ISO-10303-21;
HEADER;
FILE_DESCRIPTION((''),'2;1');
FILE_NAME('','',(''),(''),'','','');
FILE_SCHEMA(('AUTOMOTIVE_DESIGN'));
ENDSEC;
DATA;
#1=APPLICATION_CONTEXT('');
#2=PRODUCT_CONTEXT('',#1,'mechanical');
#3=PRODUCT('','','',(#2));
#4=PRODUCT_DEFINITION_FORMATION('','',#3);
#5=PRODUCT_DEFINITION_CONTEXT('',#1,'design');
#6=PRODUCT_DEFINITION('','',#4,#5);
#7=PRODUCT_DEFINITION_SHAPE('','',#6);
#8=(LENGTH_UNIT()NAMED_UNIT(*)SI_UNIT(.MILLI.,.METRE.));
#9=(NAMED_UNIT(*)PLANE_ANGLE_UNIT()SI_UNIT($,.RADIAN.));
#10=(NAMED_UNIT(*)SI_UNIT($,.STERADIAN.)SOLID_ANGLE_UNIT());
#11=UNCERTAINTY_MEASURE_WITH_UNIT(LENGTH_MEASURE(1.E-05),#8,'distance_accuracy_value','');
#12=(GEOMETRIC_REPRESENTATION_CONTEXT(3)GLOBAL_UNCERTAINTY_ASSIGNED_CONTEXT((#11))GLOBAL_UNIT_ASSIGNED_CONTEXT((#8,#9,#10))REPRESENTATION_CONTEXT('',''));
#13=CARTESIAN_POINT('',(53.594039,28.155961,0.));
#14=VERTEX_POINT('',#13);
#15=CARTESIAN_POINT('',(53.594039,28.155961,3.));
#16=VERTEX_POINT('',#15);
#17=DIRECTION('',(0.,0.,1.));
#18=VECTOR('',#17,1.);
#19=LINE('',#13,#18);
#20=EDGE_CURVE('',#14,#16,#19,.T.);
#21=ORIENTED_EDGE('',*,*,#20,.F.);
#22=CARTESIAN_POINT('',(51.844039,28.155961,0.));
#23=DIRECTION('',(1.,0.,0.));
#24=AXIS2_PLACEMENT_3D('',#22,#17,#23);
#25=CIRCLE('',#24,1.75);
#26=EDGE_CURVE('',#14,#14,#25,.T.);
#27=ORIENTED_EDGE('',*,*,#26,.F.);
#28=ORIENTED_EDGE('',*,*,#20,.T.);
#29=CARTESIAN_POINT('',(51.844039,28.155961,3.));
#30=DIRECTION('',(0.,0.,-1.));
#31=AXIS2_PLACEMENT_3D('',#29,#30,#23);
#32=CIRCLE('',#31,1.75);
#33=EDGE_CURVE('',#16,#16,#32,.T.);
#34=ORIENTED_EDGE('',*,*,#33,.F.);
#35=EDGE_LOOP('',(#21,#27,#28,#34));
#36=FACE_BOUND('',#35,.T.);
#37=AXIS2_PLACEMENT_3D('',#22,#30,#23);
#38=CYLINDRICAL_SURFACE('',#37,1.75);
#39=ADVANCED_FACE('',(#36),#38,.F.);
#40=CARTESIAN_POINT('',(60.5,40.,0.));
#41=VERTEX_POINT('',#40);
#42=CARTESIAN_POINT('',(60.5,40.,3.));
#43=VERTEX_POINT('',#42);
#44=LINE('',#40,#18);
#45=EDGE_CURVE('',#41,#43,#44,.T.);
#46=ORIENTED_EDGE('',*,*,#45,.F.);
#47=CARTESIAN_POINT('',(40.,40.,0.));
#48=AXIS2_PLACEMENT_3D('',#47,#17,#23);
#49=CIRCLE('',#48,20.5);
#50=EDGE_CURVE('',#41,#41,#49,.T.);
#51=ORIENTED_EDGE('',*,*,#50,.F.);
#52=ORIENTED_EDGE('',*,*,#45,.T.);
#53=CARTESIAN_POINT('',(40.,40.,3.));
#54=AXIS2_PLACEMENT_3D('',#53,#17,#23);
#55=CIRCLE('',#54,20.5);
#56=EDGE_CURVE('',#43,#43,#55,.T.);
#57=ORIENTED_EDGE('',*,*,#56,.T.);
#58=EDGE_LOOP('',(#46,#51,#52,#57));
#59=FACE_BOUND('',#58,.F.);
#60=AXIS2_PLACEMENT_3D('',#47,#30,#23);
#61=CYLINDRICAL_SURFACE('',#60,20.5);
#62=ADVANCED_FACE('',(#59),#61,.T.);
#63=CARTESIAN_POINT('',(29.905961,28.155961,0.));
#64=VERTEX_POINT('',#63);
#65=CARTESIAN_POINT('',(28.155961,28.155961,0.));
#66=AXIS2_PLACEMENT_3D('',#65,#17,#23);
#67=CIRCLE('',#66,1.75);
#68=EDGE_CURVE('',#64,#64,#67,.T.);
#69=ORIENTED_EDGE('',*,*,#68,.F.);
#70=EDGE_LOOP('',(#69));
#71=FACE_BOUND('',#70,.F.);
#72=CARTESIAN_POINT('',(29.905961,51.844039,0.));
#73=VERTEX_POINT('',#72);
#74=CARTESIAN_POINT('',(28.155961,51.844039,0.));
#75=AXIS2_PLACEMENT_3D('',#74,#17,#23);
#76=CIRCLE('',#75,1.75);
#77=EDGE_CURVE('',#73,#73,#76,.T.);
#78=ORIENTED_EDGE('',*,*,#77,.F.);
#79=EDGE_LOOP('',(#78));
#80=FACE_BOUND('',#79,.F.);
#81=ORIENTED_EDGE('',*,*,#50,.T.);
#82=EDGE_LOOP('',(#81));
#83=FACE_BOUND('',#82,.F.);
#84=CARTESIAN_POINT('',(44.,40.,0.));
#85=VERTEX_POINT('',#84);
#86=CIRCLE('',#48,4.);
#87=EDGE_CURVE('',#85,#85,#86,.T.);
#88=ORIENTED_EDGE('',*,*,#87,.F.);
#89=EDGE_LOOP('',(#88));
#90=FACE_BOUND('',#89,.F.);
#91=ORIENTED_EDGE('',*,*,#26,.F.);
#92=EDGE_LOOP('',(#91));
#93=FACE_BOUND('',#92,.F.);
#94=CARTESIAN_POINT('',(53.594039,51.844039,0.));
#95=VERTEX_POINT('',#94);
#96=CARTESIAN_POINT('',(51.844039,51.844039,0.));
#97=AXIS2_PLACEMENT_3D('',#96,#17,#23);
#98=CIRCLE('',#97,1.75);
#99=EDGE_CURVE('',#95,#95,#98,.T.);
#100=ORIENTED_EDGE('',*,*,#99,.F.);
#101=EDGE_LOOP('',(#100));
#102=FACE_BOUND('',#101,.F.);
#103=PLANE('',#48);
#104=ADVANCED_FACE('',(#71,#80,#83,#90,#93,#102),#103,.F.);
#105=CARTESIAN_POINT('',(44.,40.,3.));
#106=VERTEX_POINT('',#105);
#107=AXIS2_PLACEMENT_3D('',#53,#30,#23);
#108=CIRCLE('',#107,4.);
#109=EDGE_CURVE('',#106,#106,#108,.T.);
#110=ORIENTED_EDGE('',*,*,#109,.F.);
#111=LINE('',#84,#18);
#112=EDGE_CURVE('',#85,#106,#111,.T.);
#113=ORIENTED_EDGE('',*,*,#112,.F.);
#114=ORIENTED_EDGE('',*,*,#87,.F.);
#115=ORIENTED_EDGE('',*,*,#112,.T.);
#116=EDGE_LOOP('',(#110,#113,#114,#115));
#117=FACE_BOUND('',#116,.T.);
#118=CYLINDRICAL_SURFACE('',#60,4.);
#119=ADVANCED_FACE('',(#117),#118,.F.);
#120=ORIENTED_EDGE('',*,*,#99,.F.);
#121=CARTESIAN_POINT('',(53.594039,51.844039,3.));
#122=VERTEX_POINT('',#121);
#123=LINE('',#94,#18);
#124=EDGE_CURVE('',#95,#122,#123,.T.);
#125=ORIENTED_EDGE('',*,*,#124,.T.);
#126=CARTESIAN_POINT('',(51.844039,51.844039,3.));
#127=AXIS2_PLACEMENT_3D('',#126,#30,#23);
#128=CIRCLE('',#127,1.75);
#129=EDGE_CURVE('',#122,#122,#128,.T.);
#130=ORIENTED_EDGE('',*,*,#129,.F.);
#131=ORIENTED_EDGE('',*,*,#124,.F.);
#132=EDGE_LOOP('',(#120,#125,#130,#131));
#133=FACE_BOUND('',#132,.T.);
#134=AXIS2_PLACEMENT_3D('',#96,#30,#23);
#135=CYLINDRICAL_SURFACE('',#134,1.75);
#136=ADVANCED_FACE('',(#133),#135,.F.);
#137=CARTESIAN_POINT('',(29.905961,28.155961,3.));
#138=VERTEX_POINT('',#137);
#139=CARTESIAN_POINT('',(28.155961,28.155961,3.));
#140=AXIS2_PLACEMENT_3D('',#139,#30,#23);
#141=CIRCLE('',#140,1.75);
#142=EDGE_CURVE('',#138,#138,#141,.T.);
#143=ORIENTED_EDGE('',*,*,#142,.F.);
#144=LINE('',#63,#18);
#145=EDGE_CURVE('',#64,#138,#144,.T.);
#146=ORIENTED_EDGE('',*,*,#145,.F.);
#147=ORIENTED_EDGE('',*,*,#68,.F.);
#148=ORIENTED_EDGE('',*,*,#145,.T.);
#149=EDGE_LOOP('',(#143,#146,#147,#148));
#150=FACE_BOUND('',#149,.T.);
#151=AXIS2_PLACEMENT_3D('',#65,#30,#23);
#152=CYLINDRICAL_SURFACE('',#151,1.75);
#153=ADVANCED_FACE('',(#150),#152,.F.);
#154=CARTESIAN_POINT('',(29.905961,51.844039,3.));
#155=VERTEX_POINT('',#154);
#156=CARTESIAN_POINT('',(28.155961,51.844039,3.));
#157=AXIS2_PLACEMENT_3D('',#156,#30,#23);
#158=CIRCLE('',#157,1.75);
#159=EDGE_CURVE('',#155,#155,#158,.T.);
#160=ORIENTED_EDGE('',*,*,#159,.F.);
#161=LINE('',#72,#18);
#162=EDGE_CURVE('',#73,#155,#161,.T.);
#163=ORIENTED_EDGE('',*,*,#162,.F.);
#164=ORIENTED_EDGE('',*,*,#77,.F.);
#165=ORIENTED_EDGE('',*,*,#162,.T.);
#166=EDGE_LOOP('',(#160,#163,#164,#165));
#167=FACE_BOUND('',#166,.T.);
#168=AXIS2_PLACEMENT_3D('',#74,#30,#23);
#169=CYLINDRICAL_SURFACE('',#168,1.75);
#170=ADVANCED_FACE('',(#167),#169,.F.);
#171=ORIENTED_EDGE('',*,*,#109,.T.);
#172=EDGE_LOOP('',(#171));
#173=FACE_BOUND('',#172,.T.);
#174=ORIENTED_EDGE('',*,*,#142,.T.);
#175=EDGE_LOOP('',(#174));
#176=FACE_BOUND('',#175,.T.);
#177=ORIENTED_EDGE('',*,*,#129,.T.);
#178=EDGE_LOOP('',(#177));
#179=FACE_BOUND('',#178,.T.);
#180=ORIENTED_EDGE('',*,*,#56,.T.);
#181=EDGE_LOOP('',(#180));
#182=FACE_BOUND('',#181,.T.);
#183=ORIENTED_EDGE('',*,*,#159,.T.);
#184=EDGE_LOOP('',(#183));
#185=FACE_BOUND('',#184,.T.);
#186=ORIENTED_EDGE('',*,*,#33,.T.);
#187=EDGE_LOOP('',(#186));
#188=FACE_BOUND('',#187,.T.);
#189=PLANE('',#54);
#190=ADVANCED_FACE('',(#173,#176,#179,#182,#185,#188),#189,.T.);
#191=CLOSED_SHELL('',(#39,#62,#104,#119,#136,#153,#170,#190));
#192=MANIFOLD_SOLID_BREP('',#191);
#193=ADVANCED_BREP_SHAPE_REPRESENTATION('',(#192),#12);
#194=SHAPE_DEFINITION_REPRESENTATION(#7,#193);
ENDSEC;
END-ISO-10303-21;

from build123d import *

# Parameters (mm, degrees)
SKETCH_R      = 20.5
PAD_DEPTH     = 3
SKETCH001_R   = 4
SKETCH001_R_2 = 1.75
POCKET_DEPTH  = 3.001


with BuildPart() as part:
    # Sketch → Pad (new body)
    with BuildSketch(Plane.XY):
        with Locations((40, 40)):
            Circle(SKETCH_R)
    extrude(amount=PAD_DEPTH)

    # Sketch001 → Pocket (cut, through all)
    with BuildSketch(Plane.XY):
        with Locations((40, 40)):
            Circle(SKETCH001_R)
        with Locations((28.155961, 28.155961)):
            Circle(SKETCH001_R_2)
        with Locations((51.844039, 28.155961)):
            Circle(SKETCH001_R_2)
        with Locations((51.844039, 51.844039)):
            Circle(SKETCH001_R_2)
        with Locations((28.155961, 51.844039)):
            Circle(SKETCH001_R_2)
    extrude(amount=POCKET_DEPTH, mode=Mode.SUBTRACT)


solid = part.part
